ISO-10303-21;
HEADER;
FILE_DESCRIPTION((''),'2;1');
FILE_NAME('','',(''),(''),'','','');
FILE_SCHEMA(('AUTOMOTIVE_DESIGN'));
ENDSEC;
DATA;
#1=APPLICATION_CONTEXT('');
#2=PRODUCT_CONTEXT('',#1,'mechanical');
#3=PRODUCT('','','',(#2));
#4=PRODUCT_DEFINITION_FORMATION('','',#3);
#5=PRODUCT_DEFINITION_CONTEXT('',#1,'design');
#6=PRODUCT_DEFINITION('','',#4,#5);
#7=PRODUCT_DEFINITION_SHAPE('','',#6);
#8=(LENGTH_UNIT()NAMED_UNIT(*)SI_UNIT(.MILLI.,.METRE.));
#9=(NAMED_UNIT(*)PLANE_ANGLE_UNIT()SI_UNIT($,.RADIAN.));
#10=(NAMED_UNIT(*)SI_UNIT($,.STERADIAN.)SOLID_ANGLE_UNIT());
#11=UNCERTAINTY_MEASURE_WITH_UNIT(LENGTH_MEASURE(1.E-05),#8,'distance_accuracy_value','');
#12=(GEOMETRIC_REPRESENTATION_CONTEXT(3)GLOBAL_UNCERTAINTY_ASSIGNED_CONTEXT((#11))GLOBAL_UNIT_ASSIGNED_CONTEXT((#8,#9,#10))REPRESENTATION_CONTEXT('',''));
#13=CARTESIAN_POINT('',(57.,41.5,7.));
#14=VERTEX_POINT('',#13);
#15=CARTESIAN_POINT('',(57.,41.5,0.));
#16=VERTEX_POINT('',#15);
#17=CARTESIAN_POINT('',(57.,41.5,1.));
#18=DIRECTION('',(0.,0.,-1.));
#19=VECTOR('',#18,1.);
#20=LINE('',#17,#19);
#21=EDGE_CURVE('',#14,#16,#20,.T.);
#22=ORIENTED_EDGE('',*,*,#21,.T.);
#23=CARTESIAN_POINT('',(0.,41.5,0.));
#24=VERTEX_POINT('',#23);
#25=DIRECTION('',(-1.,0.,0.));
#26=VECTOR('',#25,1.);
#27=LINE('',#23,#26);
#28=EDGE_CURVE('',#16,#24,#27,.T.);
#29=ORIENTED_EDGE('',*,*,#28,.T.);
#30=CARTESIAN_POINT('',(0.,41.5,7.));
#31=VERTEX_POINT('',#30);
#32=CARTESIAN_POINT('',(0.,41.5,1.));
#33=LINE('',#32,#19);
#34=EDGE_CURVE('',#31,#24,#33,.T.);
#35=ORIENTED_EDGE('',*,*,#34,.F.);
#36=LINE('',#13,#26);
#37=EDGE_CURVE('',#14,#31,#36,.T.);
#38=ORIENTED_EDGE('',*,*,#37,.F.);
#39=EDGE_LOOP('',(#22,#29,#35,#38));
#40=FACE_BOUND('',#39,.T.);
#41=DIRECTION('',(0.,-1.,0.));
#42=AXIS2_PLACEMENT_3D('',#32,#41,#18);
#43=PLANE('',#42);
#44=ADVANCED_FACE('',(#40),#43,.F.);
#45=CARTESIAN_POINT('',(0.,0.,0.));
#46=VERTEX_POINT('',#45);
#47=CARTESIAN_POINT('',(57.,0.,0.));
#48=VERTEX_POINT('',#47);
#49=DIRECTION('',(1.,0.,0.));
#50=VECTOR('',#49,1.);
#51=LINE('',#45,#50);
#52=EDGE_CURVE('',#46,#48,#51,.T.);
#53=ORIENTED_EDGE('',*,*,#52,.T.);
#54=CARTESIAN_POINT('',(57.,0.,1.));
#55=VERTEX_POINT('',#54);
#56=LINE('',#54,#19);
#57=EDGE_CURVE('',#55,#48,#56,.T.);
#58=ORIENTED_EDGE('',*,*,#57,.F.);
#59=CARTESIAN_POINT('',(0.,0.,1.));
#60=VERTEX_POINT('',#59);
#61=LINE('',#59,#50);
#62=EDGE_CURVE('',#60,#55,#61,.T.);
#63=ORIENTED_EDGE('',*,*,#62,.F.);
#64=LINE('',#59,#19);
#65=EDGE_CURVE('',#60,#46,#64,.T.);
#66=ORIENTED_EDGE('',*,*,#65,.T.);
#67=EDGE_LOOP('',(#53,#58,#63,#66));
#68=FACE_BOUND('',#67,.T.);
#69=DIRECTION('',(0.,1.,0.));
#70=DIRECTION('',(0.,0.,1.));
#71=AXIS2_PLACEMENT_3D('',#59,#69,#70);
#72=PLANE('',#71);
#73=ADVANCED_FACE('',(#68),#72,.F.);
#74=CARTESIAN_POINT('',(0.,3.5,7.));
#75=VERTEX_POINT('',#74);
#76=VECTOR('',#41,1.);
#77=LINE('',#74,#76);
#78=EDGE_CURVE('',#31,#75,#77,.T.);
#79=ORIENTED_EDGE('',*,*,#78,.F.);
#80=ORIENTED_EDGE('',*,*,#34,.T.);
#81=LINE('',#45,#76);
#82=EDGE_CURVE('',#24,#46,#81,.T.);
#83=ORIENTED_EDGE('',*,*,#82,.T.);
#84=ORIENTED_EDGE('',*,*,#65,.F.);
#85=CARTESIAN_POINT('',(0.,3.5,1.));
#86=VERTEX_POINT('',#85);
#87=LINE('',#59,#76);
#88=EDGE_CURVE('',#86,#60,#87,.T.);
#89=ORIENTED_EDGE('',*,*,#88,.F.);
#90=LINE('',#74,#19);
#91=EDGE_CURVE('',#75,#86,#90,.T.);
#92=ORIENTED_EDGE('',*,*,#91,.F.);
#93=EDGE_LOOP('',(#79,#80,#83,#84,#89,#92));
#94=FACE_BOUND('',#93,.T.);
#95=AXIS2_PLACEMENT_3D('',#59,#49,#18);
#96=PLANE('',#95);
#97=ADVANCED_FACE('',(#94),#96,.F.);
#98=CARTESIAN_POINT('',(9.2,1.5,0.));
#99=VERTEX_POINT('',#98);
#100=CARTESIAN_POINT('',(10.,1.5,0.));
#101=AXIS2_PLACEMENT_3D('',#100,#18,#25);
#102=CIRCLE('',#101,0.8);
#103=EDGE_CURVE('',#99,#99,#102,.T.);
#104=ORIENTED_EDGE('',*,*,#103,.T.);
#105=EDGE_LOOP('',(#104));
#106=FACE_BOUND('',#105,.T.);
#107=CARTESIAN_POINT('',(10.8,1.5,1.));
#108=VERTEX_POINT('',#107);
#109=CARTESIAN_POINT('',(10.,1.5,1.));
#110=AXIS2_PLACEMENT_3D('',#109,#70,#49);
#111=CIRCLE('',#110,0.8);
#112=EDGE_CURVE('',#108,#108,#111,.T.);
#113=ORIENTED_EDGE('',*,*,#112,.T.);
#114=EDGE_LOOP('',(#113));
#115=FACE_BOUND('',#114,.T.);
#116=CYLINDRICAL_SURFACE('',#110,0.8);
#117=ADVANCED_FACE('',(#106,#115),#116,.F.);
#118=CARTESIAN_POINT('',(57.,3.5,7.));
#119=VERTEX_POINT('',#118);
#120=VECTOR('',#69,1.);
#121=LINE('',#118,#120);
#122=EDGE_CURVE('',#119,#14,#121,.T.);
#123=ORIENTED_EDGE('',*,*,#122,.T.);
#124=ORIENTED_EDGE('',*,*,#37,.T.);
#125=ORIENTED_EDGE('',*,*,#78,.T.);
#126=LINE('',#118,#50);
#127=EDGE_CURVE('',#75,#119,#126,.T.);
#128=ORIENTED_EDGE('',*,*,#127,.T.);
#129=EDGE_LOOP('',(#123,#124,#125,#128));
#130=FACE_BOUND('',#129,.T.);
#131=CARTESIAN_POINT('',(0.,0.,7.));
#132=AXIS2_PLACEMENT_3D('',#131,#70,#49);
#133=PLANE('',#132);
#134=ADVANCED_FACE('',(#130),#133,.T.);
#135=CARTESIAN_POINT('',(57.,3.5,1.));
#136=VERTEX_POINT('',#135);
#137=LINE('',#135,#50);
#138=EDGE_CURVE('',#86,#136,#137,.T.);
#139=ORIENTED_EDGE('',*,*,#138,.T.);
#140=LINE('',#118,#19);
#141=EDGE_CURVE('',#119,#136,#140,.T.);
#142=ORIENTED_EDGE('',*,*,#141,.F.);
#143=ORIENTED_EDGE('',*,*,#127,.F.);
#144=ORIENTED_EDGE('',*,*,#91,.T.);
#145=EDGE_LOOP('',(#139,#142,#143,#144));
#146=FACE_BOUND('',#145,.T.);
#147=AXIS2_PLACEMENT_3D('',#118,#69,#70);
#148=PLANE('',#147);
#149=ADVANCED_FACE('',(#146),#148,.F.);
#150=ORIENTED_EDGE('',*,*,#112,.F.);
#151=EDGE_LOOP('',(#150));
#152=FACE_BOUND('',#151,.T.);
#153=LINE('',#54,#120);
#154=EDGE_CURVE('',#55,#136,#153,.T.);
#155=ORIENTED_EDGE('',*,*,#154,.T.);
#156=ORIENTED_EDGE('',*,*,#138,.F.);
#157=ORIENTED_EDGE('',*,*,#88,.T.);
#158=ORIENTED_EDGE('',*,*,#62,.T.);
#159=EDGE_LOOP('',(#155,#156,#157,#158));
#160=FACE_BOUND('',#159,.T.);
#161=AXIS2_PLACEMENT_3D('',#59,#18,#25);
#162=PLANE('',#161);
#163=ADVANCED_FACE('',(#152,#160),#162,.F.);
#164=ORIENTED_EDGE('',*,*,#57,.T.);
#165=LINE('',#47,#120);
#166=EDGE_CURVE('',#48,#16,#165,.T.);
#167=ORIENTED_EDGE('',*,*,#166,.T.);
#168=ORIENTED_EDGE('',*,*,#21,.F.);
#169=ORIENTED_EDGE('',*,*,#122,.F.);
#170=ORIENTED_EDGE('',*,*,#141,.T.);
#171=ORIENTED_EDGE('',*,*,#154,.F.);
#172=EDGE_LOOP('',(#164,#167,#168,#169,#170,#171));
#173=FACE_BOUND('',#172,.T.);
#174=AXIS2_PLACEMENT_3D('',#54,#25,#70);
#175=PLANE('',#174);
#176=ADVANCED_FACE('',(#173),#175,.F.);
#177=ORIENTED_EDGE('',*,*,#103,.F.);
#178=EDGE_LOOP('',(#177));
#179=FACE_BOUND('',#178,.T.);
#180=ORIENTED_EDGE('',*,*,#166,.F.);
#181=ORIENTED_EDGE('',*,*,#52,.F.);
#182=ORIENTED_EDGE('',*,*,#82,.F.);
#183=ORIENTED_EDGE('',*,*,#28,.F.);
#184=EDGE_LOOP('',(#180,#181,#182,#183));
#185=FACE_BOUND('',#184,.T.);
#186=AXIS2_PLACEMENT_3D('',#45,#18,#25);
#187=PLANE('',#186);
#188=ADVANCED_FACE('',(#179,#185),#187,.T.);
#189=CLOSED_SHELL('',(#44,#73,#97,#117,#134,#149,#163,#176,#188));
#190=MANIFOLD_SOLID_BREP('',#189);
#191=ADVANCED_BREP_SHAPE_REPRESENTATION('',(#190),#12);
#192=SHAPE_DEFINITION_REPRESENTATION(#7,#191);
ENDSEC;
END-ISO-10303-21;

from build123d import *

# Parameters (mm, degrees)
SKETCH1_W             = 57
SKETCH1_H             = 41.5
BOSS_EXTRUDE1_DEPTH   = 1
SKETCH2_W             = 57
SKETCH2_H             = 38
BOSS_EXTRUDE2_DEPTH   = 6
F_1_0MM_DOWEL_HOLE1_D = 1.6


with BuildPart() as part:
    # Sketch1 → Boss-Extrude1 (new body)
    with BuildSketch(Plane.XY):
        with Locations((28.5, 20.75)):
            Rectangle(SKETCH1_W, SKETCH1_H)
    extrude(amount=BOSS_EXTRUDE1_DEPTH)

    # Sketch2 → Boss-Extrude2 (add)
    with BuildSketch(Plane.XY.offset(1)):
        with Locations((28.5, 22.5)):
            Rectangle(SKETCH2_W, SKETCH2_H)
    extrude(amount=BOSS_EXTRUDE2_DEPTH)

    # Ø1.0mm Dowel Hole1 (through all)
    with Locations(Plane(origin=(10, 1.5, 1), x_dir=(1, 0, 0), z_dir=(0, 0, 1))):
        with Locations((0, 0)):
            Hole(F_1_0MM_DOWEL_HOLE1_D / 2)


solid = part.part
